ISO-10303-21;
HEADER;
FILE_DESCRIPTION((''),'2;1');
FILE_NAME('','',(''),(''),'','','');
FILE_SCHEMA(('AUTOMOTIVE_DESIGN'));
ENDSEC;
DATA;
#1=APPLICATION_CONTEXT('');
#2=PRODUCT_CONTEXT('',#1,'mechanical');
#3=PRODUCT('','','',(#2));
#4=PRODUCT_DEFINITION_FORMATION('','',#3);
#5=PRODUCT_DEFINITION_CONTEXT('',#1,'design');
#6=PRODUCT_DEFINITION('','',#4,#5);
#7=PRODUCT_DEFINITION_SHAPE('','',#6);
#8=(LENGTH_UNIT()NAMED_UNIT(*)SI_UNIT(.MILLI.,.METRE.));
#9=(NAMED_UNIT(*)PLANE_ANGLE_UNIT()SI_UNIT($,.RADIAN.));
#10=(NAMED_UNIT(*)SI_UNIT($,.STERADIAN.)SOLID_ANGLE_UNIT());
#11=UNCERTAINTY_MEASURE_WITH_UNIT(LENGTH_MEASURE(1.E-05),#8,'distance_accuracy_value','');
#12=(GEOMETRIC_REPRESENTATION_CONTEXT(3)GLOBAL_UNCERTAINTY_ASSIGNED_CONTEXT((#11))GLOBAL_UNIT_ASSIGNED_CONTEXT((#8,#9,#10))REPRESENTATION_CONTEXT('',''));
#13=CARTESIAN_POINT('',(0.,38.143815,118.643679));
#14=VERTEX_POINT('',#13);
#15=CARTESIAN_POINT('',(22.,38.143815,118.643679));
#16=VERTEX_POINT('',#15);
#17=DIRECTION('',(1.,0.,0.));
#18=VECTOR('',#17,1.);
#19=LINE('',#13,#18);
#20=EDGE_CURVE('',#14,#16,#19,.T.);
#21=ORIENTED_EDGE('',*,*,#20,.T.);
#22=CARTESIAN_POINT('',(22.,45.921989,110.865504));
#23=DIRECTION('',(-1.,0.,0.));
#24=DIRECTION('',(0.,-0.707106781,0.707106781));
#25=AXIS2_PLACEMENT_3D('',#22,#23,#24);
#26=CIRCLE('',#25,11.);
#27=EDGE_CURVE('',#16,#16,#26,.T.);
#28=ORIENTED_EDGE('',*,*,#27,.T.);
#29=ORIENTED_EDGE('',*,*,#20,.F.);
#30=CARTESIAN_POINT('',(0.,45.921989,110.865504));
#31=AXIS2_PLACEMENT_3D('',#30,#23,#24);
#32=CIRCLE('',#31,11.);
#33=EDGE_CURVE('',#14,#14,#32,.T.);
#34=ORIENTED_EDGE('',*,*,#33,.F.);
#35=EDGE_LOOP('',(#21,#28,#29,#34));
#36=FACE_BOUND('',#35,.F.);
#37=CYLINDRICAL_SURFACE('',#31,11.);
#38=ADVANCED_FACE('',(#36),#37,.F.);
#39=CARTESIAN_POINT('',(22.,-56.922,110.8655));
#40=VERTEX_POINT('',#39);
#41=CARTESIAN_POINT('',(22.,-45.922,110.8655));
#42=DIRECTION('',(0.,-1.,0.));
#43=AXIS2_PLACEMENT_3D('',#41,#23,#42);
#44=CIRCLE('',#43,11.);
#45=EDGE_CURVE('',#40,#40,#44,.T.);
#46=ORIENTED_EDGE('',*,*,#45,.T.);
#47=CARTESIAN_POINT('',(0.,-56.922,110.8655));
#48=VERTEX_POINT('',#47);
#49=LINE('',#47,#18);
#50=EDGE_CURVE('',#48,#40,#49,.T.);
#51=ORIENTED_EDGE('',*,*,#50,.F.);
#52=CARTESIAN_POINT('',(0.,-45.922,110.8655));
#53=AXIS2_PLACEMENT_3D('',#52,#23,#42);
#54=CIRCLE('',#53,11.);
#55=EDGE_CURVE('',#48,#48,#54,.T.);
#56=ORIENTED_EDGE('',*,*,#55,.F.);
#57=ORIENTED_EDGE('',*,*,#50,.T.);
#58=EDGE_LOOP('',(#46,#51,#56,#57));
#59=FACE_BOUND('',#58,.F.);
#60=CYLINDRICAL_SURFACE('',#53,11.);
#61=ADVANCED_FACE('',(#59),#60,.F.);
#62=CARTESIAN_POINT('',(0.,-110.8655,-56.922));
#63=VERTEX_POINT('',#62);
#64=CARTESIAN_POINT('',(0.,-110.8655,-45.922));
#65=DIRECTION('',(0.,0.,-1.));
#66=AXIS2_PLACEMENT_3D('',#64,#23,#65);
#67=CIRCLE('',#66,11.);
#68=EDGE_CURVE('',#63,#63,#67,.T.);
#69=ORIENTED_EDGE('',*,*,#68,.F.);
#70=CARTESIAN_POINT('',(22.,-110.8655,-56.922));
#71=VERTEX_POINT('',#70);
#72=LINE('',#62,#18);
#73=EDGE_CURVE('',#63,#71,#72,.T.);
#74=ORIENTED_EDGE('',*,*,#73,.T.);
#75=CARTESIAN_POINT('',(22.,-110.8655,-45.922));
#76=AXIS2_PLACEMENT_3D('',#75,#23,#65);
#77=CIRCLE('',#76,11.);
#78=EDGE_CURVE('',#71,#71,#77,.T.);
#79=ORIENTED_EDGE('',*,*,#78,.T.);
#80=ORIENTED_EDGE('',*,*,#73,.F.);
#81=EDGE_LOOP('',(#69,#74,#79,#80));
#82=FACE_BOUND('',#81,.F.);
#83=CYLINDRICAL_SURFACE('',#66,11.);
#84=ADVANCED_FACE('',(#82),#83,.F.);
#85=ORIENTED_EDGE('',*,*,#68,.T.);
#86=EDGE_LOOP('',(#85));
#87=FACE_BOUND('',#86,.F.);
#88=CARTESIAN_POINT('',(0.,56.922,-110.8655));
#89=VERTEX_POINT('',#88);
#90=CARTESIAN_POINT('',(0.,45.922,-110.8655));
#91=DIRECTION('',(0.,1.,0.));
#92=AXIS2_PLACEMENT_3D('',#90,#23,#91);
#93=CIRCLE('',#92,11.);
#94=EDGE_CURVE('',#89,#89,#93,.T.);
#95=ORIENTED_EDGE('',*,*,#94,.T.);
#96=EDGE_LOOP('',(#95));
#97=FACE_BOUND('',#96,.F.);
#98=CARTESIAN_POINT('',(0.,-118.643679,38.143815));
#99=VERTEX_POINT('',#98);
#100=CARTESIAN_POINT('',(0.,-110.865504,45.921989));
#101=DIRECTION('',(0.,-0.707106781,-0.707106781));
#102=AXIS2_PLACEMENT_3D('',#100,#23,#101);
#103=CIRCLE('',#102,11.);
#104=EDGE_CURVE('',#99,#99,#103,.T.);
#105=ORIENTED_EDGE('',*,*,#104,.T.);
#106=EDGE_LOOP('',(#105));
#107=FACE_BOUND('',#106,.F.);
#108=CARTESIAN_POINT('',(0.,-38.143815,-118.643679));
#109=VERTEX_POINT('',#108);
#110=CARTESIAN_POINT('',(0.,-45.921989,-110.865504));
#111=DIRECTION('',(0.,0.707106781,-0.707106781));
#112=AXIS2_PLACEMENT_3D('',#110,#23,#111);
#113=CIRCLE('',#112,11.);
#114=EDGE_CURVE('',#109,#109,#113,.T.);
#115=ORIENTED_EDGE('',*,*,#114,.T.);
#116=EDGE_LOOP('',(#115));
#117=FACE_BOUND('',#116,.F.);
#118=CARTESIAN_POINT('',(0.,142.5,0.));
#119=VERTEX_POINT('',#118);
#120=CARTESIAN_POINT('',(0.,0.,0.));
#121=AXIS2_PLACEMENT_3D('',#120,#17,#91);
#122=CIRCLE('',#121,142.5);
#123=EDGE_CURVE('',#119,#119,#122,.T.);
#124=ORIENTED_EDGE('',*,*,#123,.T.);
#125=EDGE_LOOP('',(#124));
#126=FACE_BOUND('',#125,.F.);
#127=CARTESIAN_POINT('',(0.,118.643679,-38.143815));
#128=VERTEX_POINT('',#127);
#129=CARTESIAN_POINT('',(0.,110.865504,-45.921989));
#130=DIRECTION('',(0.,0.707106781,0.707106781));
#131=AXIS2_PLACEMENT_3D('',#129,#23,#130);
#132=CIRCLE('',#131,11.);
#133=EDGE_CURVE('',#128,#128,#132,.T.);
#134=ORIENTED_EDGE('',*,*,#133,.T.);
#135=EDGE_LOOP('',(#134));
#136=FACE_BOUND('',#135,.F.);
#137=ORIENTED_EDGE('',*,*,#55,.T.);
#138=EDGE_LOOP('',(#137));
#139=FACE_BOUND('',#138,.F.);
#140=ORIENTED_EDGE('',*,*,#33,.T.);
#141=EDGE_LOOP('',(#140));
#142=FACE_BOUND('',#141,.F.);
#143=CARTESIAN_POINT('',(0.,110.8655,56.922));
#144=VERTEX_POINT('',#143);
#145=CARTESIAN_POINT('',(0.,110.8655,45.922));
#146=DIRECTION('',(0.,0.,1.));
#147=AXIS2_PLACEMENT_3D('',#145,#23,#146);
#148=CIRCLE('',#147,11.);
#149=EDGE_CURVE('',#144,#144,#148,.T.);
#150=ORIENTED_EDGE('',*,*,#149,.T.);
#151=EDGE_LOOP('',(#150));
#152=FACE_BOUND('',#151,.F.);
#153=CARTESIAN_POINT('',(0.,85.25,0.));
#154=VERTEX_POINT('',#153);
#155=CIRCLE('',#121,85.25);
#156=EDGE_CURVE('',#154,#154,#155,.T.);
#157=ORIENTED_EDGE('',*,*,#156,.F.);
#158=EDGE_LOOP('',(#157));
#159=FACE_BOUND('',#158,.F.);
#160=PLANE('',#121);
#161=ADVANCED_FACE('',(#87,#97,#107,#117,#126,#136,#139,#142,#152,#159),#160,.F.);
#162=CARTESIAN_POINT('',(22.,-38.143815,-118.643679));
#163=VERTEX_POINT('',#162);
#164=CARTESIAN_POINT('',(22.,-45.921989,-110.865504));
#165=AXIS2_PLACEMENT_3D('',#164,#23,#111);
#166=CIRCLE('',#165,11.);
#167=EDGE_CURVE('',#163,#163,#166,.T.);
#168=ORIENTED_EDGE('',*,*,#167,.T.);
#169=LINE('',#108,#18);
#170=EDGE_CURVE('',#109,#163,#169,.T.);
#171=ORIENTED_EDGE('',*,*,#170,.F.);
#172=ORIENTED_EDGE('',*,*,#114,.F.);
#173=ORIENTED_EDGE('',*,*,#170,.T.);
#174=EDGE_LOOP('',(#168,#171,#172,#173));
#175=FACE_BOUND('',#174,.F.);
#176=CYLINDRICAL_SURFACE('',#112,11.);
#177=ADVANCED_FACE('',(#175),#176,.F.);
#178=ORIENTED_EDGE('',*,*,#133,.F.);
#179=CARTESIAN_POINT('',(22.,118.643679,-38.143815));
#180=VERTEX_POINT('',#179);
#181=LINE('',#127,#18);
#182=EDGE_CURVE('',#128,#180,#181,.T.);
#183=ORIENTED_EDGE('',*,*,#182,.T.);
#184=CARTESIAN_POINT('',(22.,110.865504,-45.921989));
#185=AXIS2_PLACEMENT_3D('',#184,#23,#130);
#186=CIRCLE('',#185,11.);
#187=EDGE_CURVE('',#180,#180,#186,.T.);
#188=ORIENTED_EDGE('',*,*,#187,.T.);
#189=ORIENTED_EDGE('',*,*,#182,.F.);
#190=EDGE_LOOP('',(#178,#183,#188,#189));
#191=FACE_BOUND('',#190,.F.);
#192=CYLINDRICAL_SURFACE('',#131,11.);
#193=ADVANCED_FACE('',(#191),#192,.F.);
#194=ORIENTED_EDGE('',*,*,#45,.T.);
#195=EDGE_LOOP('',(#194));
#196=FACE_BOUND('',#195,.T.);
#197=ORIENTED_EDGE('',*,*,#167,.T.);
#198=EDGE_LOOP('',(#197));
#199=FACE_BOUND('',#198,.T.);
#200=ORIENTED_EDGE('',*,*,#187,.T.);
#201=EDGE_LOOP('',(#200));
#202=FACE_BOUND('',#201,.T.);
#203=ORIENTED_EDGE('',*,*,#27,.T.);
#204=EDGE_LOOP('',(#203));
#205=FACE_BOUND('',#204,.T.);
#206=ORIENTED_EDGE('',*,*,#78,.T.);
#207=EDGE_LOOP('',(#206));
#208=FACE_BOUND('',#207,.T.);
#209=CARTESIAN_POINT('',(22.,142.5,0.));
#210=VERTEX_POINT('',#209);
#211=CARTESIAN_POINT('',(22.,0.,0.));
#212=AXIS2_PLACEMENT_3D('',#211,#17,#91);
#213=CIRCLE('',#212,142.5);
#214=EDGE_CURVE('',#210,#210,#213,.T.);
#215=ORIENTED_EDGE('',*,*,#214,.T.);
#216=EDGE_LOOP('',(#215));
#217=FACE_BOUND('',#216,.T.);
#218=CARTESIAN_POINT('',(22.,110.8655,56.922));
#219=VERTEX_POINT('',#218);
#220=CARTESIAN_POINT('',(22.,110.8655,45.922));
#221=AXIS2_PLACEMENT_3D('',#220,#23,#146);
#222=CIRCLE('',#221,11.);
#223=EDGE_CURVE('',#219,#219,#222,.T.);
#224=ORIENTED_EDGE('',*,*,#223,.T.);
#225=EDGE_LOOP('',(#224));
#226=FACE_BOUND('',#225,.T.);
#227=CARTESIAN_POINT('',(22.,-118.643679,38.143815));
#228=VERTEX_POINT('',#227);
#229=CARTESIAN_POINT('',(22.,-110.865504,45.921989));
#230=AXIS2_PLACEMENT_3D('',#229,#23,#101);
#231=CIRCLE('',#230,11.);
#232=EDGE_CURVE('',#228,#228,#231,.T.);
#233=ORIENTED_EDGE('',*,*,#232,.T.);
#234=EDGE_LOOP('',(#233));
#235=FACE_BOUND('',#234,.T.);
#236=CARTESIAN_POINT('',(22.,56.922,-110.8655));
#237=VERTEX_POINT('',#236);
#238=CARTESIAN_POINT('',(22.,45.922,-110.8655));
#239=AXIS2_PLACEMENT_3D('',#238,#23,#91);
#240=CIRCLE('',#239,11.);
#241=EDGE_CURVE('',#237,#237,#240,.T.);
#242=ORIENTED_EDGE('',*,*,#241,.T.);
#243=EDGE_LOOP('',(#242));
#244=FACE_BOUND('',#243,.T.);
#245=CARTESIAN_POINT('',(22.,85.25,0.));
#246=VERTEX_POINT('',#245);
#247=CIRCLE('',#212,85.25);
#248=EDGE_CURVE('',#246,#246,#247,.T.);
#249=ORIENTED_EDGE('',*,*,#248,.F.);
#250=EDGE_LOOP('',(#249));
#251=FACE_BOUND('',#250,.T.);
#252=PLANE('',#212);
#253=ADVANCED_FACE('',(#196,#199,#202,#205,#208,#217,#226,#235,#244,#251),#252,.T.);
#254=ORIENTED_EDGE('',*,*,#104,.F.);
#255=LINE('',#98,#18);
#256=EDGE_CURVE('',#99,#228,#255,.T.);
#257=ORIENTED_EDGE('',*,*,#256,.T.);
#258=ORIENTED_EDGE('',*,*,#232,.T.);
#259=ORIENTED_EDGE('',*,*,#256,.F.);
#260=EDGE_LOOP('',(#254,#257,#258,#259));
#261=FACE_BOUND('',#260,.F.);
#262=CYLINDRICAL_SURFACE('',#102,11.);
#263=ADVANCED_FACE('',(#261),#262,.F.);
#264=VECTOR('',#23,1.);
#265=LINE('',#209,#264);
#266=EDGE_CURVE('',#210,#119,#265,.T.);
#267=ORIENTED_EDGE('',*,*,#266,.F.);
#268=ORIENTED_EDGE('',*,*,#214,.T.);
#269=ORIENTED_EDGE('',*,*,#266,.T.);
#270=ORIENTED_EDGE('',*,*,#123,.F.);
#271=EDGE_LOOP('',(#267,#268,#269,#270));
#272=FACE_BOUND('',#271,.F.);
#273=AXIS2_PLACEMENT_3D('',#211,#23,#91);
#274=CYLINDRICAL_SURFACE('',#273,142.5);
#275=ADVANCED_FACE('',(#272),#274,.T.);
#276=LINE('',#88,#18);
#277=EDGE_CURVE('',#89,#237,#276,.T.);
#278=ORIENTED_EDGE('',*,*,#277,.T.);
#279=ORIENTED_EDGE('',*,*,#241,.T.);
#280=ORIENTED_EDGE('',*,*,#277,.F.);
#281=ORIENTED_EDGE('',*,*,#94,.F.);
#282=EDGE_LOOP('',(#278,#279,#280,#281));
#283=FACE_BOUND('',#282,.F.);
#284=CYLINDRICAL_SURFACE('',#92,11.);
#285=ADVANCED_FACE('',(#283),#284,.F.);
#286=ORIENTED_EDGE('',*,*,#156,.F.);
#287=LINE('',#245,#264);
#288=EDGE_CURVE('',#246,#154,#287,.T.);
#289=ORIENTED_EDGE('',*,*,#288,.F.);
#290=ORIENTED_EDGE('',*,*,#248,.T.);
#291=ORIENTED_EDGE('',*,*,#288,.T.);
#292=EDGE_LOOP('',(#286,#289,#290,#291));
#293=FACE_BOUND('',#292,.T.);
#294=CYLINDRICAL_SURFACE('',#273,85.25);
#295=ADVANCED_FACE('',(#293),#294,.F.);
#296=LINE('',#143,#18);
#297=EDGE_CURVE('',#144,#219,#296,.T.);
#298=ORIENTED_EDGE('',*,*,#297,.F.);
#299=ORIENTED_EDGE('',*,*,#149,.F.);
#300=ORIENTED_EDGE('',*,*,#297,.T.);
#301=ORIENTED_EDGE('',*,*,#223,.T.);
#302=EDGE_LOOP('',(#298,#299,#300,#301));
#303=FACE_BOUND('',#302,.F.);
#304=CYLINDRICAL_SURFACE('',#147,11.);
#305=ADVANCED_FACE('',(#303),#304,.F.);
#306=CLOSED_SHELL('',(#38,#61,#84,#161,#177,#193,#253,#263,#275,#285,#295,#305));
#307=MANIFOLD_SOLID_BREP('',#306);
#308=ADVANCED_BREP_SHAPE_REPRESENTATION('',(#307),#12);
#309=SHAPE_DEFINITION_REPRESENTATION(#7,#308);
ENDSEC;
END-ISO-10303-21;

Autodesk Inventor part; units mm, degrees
ref_plane "YZ Plane" through (0, 0, 0) normal (1, 0, 0) x (0, 1, 0)
ref_plane "XZ Plane" through (0, 0, 0) normal (0, 1, 0) x (-1, 0, 0)
ref_plane "XY Plane" through (0, 0, 0) normal (0, 0, 1) x (1, 0, 0)
sketch "Sketch1" plane through (0, 0, 0) normal (0, 0, 1) x (1, 0, 0)
  line L0 (22, 142.5) -> (0, 142.5)
  line L1 (0, 142.5) -> (0, 85.25)
  line L2 (0, 85.25) -> (0, 0) construction
  line L3 (0, 0) -> (22, 0) construction
  line L4 (22, 142.5) -> (22, 85.25)
  line L5 (22, 85.25) -> (0, 85.25)
  line L6 (22, 85.25) -> (22, 0) construction
  dimension "d0" = 285
  dimension "d1" = 22
  dimension "d5" = 170.5
revolve "Revolution1" add sketch "Sketch1" angle 360 about axis through (0, 0, 0) along (1, 0, 0)
sketch "Sketch2" plane through (0, 0, 0) normal (-1, 0, 0) x (0, 0, 1)
  circle A0 centre (0, 0) radius 85.25 projected
  line L0 (0, 120) -> (0, 0) construction
  circle A1 centre (0, 0) radius 142.5 projected
  circle A2 centre (0, 0) radius 120 construction
  line L1 (0, 0) -> (45.922, 110.8655) construction
  circle A3 centre (45.922, 110.8655) radius 11
  dimension "d6" = 22
  dimension "d7" = 120
  dimension "d8" = 22.5
extrude "Extrusion1" cut sketch "Sketch2" against normal through all contours A3
pattern_circular "Circular Pattern1" count 8 over 360 about axis through (11, 0, 0) along (1, 0, 0) of "Extrusion1"
equation "\"d6\" = dd2"
equation "\"d7\" = 0.5 * k"
equation "\"d0\" = D"
equation "\"d1\" = b"
equation "\"d5\" = dd5"
equation "\"b\" = 22"
equation "\"D\" = 285"
equation "\"dd2\" = 22"
equation "\"dd5\" = 170.5"
equation "\"Size_Designation\" = 1.2345"
equation "\"k\" = 240"
properties part number "DIN 2576 Slip-On Flange for Welding Series 1 (ISO) - PN 10 150 x 168.3" material "Steel"
